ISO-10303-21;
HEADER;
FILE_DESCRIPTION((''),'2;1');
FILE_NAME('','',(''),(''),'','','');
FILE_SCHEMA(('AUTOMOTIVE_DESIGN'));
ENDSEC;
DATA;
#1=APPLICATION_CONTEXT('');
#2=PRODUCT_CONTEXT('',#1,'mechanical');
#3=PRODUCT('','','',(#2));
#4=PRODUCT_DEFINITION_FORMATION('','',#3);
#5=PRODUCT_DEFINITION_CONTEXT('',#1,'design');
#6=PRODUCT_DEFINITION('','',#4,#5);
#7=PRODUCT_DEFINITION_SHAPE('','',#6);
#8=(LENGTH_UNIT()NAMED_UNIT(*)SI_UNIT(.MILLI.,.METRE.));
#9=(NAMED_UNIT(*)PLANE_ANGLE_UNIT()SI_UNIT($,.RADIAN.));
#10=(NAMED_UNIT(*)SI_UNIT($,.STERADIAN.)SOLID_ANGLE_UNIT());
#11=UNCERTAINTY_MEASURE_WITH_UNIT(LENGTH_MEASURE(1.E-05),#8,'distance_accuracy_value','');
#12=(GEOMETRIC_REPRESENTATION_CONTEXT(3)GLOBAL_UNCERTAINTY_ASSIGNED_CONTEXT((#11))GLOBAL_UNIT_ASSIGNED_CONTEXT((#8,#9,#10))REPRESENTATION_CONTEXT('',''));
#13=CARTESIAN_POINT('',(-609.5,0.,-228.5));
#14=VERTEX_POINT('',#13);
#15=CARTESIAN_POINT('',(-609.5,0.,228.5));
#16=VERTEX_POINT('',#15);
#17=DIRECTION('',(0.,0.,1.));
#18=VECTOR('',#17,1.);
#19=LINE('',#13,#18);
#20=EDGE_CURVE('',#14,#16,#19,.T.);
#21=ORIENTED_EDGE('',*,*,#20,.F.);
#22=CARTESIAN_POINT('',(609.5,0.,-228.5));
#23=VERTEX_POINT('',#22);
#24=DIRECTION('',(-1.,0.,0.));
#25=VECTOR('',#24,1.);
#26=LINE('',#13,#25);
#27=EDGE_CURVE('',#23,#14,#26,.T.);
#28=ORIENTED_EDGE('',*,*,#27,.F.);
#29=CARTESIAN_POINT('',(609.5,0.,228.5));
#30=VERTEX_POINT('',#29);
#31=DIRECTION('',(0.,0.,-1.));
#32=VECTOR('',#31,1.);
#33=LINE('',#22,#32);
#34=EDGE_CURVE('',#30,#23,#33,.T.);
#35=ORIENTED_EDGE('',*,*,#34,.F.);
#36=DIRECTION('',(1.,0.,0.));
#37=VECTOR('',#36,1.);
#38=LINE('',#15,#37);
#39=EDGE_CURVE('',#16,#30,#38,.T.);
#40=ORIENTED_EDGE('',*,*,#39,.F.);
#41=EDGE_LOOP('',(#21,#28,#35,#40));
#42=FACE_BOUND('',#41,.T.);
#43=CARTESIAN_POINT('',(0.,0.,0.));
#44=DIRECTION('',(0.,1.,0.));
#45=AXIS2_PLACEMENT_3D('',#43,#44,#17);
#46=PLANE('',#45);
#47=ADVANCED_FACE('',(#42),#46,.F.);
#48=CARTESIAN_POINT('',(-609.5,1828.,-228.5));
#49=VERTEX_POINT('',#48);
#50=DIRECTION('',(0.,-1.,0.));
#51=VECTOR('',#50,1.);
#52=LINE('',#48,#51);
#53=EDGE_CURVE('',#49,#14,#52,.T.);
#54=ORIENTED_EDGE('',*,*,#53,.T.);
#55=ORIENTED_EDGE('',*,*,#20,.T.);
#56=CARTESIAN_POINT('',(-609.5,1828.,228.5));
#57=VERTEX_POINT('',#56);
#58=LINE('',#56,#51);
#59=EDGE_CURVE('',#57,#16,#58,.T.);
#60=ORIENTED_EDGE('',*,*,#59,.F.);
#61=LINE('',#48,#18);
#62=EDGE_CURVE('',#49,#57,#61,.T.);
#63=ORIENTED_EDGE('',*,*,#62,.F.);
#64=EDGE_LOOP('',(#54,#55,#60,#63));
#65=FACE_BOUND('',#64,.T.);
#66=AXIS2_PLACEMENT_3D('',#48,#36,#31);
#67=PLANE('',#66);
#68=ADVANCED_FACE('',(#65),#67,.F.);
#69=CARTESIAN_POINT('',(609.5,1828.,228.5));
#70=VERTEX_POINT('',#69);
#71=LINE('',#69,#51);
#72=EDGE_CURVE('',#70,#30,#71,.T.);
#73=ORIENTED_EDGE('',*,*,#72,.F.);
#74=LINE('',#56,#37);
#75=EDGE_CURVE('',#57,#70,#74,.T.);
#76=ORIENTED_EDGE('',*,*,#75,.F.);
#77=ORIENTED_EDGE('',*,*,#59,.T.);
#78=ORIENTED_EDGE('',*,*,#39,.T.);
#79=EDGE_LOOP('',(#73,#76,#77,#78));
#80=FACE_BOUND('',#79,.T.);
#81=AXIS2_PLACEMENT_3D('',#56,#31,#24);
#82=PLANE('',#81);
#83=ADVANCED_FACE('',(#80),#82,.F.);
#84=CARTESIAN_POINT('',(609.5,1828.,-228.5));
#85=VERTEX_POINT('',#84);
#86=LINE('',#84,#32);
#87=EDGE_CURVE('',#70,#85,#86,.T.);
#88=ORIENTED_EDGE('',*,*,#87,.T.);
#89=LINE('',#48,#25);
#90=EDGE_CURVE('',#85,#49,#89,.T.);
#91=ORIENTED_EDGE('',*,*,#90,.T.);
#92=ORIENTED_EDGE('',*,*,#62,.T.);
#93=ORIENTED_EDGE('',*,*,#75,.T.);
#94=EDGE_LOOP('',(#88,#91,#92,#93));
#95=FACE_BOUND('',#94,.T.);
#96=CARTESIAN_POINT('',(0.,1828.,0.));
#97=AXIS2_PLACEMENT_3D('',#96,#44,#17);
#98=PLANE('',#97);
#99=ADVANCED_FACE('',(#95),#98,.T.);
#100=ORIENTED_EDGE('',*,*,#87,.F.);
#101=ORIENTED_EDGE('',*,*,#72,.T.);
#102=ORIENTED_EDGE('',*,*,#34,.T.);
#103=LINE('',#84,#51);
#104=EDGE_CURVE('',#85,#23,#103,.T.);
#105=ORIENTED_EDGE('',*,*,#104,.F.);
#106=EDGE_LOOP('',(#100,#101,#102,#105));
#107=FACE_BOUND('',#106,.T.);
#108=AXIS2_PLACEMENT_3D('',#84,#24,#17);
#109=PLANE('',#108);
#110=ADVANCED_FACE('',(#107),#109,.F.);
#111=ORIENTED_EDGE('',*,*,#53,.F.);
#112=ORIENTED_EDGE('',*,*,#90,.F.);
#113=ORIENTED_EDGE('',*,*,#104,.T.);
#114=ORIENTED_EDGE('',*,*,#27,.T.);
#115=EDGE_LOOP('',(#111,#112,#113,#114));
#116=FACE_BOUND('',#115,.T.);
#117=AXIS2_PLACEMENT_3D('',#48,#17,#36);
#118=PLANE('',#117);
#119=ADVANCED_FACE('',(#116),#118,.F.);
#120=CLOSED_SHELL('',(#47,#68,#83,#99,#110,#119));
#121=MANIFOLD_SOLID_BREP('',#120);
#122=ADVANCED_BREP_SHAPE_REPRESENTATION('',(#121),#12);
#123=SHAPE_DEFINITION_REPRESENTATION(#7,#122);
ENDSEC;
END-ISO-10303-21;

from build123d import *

# Parameters (mm, degrees)
SKETCH_1_W      = 1219
SKETCH_1_H      = 457
EXTRUDE_1_DEPTH = 1828


with BuildPart() as part:
    # 스케치1 → 보스-돌출1 (new body)
    with BuildSketch(Plane(origin=(0, 0, 0), x_dir=(1, 0, 0), z_dir=(0, 1, 0))):
        Rectangle(SKETCH_1_W, SKETCH_1_H)
    extrude(amount=EXTRUDE_1_DEPTH)


solid = part.part
